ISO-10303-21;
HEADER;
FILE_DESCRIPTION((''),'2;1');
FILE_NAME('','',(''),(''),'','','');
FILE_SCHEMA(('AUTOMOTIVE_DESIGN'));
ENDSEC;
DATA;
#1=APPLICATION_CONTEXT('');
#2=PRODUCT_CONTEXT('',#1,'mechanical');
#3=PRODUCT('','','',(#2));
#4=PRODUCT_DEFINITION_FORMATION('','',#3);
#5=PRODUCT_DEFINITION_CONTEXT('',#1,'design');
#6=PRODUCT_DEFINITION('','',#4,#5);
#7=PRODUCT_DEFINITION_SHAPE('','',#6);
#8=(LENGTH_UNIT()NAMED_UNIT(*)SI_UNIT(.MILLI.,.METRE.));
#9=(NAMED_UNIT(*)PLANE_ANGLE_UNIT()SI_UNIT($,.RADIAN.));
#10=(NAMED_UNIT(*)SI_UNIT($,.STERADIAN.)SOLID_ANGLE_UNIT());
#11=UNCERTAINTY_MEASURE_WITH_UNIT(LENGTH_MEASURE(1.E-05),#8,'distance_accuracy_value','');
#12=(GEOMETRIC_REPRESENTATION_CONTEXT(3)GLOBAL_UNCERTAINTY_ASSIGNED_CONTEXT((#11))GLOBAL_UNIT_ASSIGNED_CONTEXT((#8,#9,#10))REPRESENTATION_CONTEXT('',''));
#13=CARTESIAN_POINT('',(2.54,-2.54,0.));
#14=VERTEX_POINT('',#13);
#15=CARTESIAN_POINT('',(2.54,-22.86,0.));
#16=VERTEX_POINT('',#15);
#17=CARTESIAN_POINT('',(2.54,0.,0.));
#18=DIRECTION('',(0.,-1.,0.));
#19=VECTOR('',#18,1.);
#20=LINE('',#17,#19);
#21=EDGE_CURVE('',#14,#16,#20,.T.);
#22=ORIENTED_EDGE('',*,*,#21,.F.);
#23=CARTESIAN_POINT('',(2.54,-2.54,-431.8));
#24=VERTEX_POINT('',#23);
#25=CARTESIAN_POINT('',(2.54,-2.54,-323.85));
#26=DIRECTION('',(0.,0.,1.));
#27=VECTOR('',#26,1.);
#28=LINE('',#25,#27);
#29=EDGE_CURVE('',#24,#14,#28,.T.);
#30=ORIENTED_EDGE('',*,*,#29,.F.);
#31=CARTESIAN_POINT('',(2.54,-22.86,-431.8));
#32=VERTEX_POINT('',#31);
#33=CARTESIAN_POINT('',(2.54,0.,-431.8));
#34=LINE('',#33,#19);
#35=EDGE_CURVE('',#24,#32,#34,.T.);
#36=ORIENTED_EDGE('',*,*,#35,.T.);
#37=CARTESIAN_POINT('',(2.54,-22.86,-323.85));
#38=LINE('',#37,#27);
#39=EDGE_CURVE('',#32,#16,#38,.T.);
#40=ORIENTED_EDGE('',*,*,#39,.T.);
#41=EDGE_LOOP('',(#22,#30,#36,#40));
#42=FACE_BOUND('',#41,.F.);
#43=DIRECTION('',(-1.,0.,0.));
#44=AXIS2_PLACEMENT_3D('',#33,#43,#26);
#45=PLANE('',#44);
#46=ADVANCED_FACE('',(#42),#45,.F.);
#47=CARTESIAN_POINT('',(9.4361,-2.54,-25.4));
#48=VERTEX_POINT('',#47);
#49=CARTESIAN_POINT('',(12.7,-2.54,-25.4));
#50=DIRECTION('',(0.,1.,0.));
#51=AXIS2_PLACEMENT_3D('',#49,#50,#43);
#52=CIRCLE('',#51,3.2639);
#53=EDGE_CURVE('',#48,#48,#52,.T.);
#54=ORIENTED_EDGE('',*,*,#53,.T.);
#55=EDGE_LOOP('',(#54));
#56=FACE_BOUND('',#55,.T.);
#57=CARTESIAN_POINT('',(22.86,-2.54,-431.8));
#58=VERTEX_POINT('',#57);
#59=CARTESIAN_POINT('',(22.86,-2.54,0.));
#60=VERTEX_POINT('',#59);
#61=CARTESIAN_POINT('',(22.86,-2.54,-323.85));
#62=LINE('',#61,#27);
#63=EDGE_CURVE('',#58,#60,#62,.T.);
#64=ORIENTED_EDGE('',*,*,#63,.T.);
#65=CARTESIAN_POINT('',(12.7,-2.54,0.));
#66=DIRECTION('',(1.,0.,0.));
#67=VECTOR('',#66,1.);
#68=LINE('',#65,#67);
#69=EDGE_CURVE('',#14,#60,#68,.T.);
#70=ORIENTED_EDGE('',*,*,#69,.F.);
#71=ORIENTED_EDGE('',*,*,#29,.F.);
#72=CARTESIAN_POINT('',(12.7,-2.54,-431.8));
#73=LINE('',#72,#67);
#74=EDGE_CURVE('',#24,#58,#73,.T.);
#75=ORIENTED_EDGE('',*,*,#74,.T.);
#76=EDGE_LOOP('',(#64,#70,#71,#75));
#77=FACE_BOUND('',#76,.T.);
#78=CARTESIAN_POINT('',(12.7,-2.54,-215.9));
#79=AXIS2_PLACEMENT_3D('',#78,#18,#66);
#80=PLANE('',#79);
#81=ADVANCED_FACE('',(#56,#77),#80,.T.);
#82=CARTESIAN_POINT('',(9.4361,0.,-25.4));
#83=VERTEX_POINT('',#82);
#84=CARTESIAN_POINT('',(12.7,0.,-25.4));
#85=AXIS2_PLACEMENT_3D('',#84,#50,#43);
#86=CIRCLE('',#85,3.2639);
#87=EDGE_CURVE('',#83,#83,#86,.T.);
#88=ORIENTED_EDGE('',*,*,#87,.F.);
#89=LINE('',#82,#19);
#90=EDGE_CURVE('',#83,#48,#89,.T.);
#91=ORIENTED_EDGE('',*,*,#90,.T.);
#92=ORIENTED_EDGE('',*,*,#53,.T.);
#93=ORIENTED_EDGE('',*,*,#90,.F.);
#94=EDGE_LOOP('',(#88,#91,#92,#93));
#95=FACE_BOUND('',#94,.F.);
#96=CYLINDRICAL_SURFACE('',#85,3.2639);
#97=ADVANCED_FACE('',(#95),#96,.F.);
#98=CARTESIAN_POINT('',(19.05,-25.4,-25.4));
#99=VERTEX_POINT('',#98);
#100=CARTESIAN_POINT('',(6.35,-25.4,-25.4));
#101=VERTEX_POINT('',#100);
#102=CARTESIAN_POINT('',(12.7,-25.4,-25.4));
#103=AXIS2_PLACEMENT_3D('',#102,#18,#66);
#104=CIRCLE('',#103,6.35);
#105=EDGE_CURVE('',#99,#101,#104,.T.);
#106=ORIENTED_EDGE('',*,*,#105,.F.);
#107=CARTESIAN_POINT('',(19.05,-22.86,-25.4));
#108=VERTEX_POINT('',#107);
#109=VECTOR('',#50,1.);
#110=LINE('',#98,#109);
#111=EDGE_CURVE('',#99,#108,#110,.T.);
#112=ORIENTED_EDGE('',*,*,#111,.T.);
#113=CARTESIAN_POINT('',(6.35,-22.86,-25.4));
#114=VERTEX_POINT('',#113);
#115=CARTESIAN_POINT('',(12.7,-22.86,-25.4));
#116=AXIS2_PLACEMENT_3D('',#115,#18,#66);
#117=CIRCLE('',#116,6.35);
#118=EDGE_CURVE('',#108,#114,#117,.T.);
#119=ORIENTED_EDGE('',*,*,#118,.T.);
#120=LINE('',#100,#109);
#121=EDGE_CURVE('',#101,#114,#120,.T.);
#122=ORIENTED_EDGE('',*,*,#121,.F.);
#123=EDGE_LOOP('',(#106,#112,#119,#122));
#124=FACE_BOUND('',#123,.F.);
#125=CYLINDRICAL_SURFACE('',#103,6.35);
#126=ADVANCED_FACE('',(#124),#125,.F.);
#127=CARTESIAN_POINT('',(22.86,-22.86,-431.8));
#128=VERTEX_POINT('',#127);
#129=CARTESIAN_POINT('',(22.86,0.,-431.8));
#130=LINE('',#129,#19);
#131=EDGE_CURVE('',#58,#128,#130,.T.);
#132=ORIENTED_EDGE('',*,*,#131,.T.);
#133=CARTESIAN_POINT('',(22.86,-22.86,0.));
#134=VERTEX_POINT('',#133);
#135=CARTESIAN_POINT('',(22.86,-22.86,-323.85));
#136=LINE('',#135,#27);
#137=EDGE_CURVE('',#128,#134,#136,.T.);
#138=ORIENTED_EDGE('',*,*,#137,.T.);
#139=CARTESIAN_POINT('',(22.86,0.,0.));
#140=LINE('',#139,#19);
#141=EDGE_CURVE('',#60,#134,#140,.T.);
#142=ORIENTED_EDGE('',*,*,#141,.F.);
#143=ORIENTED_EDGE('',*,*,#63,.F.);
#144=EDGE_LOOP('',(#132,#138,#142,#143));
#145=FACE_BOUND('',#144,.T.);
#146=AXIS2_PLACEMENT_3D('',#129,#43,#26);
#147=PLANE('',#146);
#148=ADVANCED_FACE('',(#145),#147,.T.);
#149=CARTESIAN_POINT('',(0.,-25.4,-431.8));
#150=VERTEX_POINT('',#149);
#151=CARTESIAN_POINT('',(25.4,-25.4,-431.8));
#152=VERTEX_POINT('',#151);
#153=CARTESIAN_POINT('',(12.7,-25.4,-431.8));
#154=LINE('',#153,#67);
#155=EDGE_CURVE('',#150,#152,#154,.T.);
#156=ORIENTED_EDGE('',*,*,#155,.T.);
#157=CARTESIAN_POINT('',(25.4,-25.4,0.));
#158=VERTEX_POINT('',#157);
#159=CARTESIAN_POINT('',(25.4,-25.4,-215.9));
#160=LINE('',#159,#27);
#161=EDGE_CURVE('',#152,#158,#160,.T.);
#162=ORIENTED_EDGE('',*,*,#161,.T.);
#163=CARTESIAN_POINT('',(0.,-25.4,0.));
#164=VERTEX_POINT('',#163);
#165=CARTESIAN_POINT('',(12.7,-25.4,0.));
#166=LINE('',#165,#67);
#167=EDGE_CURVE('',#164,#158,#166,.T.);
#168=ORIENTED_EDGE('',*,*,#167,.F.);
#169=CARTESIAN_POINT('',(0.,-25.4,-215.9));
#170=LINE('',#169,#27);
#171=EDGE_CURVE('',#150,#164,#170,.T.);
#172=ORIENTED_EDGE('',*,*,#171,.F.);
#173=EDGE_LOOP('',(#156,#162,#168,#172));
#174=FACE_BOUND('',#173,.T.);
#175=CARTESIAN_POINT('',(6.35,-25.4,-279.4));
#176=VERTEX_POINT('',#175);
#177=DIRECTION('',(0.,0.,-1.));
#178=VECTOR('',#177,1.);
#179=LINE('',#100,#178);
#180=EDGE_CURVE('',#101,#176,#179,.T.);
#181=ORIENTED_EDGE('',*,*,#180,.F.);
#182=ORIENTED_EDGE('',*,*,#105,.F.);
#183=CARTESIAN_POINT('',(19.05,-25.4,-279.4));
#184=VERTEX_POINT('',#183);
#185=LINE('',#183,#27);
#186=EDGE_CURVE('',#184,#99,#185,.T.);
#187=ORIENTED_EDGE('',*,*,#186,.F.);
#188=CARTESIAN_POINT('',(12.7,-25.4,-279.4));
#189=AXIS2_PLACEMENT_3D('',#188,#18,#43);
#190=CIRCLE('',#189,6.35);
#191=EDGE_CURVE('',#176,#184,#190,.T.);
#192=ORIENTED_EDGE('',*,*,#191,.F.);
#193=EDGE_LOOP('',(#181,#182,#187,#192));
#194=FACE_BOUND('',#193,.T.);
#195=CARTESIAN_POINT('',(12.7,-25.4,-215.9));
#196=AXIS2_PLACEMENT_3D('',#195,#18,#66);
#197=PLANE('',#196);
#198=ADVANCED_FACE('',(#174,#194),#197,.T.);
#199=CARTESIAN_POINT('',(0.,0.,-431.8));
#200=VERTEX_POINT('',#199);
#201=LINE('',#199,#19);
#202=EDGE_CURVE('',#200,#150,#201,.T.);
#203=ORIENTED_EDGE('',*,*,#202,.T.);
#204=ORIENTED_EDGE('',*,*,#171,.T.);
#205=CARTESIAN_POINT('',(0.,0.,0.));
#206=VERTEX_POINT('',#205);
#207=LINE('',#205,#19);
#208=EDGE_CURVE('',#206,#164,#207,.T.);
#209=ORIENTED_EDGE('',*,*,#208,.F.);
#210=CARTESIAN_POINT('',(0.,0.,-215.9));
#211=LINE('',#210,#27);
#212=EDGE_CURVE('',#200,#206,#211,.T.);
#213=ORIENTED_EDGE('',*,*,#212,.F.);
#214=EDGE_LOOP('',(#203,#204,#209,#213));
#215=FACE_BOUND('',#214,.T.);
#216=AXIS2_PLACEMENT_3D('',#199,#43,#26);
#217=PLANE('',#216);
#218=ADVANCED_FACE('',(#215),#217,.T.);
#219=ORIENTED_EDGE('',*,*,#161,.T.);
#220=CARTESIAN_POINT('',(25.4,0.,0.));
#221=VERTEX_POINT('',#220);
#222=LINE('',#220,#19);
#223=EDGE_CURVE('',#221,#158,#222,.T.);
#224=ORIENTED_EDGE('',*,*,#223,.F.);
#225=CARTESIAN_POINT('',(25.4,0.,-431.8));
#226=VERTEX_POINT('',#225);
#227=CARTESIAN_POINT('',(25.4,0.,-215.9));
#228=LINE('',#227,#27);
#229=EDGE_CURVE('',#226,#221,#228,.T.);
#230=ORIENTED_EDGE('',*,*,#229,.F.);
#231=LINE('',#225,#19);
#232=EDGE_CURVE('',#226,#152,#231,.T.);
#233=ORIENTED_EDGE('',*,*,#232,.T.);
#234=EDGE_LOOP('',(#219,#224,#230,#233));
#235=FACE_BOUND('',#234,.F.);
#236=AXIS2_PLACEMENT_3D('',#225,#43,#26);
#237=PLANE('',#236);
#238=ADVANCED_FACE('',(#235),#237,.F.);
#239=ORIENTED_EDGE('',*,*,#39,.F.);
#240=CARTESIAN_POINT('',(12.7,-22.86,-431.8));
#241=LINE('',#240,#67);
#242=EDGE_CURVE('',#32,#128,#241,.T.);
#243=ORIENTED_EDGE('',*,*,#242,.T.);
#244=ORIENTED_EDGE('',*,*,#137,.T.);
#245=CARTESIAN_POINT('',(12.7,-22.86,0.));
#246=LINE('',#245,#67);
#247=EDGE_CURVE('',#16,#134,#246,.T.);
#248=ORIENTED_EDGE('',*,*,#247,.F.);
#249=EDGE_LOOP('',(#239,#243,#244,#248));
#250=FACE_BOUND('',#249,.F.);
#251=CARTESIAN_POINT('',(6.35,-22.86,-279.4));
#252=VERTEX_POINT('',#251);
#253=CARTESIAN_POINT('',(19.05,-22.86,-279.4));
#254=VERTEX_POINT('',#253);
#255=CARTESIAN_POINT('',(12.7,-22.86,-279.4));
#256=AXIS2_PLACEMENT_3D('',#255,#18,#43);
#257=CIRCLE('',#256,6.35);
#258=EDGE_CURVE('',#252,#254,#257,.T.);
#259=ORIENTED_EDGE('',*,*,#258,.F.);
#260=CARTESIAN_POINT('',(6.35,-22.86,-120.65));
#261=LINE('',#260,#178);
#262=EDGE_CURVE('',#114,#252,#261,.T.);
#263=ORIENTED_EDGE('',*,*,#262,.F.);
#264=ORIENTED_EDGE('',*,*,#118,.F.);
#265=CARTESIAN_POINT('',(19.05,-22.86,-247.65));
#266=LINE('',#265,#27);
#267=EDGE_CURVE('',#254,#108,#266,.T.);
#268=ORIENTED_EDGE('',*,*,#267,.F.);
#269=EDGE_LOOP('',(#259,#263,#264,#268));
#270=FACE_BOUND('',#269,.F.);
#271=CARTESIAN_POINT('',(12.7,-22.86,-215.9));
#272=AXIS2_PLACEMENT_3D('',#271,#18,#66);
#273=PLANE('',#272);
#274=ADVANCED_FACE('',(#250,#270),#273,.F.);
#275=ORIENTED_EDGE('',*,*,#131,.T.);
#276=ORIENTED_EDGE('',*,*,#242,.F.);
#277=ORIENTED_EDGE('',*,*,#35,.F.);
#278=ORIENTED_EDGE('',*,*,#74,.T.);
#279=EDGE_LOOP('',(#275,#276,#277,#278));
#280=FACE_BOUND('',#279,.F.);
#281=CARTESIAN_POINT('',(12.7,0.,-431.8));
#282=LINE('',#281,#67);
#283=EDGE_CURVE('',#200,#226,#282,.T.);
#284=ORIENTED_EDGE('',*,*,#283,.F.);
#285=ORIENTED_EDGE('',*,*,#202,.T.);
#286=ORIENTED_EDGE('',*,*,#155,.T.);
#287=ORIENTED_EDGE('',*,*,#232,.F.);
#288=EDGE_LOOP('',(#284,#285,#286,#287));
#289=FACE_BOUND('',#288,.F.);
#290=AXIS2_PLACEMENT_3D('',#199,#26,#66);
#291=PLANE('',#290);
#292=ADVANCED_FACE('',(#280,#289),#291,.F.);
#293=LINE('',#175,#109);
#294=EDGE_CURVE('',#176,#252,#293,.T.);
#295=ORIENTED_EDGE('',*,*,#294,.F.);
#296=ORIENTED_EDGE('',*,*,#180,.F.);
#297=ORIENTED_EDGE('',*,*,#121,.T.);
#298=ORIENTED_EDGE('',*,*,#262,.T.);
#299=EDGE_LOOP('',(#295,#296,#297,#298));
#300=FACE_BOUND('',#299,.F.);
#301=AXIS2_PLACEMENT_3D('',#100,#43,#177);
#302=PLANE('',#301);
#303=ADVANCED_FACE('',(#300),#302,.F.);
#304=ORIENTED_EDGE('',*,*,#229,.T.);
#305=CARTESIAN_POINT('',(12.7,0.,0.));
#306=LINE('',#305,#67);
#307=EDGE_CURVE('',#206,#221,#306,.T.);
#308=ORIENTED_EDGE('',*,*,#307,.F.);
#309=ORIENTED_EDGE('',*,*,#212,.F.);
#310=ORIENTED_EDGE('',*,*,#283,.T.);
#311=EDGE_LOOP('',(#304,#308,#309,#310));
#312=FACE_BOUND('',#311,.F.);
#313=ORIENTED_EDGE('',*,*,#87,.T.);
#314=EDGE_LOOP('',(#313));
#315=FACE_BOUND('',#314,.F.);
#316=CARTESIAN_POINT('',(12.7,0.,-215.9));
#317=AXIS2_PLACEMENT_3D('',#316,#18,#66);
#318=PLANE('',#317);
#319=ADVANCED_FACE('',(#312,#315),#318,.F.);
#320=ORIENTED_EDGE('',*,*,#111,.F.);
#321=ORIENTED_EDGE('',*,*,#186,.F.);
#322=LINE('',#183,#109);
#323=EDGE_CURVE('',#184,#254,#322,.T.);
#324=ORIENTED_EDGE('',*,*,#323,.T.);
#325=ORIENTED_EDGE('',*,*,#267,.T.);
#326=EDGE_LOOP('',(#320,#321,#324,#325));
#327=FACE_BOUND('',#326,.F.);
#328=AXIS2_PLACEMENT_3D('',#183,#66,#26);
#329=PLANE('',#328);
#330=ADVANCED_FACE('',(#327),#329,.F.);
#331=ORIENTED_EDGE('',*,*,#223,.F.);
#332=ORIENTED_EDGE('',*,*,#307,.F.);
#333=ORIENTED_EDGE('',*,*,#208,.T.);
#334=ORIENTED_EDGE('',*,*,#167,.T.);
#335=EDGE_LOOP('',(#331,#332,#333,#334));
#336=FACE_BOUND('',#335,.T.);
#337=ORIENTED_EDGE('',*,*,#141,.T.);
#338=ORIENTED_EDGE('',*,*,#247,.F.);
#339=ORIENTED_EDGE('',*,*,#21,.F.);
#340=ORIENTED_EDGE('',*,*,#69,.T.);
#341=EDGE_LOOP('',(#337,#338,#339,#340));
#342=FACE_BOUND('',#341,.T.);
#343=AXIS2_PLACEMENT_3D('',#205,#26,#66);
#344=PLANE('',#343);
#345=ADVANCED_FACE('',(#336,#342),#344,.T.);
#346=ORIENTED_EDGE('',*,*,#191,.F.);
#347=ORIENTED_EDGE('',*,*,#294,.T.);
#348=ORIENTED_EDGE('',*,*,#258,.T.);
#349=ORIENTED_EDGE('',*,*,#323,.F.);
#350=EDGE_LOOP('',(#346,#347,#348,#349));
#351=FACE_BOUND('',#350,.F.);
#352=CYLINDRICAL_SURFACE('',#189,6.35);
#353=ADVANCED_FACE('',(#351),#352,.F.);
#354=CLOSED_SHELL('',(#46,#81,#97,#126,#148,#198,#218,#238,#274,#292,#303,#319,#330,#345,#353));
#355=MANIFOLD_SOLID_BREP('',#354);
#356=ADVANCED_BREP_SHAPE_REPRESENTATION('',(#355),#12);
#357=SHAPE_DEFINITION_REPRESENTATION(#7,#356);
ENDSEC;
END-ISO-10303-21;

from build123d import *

# Parameters (mm, degrees)
F0_W     = 25.4
F0_H     = 431.8
F1_DEPTH = 25.4
F2_T     = -2.54
F4_DEPTH = 6.35
F5_R     = 3.2639
F6_DEPTH = 2.54


with BuildPart() as f1:
    # F0 (on Front) → F1 (new body)
    with BuildSketch(Plane.XZ):
        with Locations((12.7, -215.9)):
            Rectangle(F0_W, F0_H)
    extrude(amount=F1_DEPTH)

    # F2
    f2_openings = [f1.faces().sort_by_distance(p)[0] for p in [
        (12.7, -12.7, 0),
        (12.7, -12.7, -431.8),
    ]]
    offset(amount=F2_T, openings=f2_openings)

    # F3 (on face) → F4 (cut)
    with BuildSketch(Plane.XZ.offset(25.4)):
        with BuildLine():
            Line((19.05, -279.4), (19.05, -25.4))
            ThreePointArc((19.05, -25.4), (12.7, -19.05), (6.35, -25.4))
            Line((6.35, -25.4), (6.35, -279.4))
            ThreePointArc((6.35, -279.4), (12.7, -285.75), (19.05, -279.4))
        make_face()
    extrude(amount=-F4_DEPTH, mode=Mode.SUBTRACT)

    # F5 (on face) → F6 (cut)
    with BuildSketch(Plane(origin=(0, 0, 0), x_dir=(-1, 0, 0), z_dir=(0, 1, 0))):
        with Locations((-12.7, -25.4)):
            Circle(F5_R)
    extrude(amount=-F6_DEPTH, mode=Mode.SUBTRACT)


solid = f1.part
